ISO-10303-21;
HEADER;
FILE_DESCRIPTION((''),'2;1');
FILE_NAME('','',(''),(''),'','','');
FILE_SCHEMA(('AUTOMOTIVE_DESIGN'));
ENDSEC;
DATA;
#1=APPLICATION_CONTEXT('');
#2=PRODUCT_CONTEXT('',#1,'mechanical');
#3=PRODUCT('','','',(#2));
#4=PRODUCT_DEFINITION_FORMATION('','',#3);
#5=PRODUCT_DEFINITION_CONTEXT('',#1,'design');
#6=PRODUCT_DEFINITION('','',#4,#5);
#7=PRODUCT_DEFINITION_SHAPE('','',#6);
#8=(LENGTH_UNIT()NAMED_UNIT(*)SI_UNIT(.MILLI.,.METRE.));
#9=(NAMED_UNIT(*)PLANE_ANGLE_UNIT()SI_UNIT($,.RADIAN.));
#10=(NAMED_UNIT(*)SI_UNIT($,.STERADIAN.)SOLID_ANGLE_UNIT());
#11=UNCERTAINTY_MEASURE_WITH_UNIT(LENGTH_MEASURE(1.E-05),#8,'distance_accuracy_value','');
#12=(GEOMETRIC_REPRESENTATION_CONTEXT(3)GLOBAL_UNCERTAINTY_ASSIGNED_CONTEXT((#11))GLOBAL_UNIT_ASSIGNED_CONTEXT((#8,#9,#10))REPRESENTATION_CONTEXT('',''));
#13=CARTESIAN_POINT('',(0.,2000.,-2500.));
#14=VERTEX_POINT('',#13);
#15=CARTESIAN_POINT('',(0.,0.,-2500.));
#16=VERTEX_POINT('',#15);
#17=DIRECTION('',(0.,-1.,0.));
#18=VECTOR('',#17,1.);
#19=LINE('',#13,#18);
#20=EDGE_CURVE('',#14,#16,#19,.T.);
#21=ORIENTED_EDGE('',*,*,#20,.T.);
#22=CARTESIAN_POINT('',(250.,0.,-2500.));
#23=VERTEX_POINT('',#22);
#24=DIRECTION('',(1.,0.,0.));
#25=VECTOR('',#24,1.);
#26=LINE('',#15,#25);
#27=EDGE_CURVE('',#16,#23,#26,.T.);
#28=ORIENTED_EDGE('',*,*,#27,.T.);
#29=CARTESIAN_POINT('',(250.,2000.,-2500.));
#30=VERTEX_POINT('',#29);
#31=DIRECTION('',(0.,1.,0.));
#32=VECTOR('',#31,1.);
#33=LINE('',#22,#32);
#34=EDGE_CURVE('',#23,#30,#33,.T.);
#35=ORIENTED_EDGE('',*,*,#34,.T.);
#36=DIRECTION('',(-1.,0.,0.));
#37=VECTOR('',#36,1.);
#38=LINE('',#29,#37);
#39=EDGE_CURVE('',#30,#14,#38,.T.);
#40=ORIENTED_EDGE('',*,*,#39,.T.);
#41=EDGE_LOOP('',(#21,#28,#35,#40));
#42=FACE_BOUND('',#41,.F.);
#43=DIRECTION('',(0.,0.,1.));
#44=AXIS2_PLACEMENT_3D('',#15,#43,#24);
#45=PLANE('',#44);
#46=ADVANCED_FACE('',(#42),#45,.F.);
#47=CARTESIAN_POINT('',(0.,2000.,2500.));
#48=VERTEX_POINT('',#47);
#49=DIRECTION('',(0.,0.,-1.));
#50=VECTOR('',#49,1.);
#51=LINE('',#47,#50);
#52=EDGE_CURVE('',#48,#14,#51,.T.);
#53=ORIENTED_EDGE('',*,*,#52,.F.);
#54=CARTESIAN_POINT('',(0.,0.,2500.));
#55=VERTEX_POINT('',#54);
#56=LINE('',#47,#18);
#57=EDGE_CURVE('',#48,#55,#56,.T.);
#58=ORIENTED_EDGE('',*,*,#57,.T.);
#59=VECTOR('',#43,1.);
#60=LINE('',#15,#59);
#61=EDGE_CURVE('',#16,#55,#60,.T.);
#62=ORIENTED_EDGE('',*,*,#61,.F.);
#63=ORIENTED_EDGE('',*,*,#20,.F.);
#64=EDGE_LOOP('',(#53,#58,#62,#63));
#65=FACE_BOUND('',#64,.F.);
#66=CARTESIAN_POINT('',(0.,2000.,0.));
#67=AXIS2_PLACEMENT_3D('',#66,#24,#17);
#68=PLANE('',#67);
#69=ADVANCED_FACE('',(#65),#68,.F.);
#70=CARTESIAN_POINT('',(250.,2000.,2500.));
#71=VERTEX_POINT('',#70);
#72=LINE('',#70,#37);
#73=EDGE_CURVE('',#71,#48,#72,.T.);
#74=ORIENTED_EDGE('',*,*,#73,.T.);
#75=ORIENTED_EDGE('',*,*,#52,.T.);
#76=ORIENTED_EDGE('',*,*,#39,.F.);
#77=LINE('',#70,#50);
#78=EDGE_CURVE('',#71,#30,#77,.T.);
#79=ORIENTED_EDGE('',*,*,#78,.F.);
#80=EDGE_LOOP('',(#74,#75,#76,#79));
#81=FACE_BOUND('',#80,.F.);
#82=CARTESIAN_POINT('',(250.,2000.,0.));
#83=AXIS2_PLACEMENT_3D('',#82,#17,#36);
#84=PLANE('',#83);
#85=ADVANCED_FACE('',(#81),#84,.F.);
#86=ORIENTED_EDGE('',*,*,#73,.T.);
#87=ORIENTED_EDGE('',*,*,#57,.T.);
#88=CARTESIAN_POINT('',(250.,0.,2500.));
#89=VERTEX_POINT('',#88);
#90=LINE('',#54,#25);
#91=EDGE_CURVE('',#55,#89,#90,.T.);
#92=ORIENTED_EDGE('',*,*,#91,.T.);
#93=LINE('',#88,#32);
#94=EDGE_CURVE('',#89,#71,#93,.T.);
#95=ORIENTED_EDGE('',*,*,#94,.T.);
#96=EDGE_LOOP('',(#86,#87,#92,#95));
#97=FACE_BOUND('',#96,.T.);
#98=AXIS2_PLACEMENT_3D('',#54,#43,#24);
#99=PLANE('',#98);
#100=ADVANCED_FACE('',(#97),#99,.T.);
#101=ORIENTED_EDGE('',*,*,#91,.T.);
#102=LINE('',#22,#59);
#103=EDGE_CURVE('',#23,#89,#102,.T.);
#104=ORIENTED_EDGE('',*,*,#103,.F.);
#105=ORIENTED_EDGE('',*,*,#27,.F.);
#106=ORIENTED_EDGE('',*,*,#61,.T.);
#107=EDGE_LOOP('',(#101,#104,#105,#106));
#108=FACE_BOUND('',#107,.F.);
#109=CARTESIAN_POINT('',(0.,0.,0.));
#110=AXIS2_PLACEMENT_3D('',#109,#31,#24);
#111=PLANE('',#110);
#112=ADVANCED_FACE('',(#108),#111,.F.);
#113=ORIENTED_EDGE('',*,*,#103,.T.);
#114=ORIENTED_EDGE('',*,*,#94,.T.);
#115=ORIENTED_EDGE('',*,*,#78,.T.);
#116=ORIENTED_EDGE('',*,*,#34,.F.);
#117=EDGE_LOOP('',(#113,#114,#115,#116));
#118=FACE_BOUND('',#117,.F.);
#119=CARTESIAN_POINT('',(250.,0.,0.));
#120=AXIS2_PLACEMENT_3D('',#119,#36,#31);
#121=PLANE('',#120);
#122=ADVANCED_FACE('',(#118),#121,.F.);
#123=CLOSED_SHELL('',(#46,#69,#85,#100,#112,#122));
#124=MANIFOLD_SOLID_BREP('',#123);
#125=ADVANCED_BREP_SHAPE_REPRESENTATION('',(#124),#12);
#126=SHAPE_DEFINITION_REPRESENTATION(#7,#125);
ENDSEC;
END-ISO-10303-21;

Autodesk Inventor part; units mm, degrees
ref_plane "YZ Plane" through (0, 0, 0) normal (1, 0, 0) x (0, 1, 0)
ref_plane "XZ Plane" through (0, 0, 0) normal (0, 1, 0) x (-1, 0, 0)
ref_plane "XY Plane" through (0, 0, 0) normal (0, 0, 1) x (1, 0, 0)
sketch "Sketch1" plane through (0, 0, 0) normal (0, 0, 1) x (1, 0, 0)
  line L0 (0, 0) -> (250, 0)
  line L1 (250, 0) -> (250, 2000)
  line L2 (250, 2000) -> (0, 2000)
  line L3 (0, 2000) -> (0, 0)
  point P0 (125, 0)
  dimension "d0" = 250
  dimension "d1" = 2000
extrude "Extrusion1" add sketch "Sketch1" along normal mid plane 5000
properties part number "wall"
